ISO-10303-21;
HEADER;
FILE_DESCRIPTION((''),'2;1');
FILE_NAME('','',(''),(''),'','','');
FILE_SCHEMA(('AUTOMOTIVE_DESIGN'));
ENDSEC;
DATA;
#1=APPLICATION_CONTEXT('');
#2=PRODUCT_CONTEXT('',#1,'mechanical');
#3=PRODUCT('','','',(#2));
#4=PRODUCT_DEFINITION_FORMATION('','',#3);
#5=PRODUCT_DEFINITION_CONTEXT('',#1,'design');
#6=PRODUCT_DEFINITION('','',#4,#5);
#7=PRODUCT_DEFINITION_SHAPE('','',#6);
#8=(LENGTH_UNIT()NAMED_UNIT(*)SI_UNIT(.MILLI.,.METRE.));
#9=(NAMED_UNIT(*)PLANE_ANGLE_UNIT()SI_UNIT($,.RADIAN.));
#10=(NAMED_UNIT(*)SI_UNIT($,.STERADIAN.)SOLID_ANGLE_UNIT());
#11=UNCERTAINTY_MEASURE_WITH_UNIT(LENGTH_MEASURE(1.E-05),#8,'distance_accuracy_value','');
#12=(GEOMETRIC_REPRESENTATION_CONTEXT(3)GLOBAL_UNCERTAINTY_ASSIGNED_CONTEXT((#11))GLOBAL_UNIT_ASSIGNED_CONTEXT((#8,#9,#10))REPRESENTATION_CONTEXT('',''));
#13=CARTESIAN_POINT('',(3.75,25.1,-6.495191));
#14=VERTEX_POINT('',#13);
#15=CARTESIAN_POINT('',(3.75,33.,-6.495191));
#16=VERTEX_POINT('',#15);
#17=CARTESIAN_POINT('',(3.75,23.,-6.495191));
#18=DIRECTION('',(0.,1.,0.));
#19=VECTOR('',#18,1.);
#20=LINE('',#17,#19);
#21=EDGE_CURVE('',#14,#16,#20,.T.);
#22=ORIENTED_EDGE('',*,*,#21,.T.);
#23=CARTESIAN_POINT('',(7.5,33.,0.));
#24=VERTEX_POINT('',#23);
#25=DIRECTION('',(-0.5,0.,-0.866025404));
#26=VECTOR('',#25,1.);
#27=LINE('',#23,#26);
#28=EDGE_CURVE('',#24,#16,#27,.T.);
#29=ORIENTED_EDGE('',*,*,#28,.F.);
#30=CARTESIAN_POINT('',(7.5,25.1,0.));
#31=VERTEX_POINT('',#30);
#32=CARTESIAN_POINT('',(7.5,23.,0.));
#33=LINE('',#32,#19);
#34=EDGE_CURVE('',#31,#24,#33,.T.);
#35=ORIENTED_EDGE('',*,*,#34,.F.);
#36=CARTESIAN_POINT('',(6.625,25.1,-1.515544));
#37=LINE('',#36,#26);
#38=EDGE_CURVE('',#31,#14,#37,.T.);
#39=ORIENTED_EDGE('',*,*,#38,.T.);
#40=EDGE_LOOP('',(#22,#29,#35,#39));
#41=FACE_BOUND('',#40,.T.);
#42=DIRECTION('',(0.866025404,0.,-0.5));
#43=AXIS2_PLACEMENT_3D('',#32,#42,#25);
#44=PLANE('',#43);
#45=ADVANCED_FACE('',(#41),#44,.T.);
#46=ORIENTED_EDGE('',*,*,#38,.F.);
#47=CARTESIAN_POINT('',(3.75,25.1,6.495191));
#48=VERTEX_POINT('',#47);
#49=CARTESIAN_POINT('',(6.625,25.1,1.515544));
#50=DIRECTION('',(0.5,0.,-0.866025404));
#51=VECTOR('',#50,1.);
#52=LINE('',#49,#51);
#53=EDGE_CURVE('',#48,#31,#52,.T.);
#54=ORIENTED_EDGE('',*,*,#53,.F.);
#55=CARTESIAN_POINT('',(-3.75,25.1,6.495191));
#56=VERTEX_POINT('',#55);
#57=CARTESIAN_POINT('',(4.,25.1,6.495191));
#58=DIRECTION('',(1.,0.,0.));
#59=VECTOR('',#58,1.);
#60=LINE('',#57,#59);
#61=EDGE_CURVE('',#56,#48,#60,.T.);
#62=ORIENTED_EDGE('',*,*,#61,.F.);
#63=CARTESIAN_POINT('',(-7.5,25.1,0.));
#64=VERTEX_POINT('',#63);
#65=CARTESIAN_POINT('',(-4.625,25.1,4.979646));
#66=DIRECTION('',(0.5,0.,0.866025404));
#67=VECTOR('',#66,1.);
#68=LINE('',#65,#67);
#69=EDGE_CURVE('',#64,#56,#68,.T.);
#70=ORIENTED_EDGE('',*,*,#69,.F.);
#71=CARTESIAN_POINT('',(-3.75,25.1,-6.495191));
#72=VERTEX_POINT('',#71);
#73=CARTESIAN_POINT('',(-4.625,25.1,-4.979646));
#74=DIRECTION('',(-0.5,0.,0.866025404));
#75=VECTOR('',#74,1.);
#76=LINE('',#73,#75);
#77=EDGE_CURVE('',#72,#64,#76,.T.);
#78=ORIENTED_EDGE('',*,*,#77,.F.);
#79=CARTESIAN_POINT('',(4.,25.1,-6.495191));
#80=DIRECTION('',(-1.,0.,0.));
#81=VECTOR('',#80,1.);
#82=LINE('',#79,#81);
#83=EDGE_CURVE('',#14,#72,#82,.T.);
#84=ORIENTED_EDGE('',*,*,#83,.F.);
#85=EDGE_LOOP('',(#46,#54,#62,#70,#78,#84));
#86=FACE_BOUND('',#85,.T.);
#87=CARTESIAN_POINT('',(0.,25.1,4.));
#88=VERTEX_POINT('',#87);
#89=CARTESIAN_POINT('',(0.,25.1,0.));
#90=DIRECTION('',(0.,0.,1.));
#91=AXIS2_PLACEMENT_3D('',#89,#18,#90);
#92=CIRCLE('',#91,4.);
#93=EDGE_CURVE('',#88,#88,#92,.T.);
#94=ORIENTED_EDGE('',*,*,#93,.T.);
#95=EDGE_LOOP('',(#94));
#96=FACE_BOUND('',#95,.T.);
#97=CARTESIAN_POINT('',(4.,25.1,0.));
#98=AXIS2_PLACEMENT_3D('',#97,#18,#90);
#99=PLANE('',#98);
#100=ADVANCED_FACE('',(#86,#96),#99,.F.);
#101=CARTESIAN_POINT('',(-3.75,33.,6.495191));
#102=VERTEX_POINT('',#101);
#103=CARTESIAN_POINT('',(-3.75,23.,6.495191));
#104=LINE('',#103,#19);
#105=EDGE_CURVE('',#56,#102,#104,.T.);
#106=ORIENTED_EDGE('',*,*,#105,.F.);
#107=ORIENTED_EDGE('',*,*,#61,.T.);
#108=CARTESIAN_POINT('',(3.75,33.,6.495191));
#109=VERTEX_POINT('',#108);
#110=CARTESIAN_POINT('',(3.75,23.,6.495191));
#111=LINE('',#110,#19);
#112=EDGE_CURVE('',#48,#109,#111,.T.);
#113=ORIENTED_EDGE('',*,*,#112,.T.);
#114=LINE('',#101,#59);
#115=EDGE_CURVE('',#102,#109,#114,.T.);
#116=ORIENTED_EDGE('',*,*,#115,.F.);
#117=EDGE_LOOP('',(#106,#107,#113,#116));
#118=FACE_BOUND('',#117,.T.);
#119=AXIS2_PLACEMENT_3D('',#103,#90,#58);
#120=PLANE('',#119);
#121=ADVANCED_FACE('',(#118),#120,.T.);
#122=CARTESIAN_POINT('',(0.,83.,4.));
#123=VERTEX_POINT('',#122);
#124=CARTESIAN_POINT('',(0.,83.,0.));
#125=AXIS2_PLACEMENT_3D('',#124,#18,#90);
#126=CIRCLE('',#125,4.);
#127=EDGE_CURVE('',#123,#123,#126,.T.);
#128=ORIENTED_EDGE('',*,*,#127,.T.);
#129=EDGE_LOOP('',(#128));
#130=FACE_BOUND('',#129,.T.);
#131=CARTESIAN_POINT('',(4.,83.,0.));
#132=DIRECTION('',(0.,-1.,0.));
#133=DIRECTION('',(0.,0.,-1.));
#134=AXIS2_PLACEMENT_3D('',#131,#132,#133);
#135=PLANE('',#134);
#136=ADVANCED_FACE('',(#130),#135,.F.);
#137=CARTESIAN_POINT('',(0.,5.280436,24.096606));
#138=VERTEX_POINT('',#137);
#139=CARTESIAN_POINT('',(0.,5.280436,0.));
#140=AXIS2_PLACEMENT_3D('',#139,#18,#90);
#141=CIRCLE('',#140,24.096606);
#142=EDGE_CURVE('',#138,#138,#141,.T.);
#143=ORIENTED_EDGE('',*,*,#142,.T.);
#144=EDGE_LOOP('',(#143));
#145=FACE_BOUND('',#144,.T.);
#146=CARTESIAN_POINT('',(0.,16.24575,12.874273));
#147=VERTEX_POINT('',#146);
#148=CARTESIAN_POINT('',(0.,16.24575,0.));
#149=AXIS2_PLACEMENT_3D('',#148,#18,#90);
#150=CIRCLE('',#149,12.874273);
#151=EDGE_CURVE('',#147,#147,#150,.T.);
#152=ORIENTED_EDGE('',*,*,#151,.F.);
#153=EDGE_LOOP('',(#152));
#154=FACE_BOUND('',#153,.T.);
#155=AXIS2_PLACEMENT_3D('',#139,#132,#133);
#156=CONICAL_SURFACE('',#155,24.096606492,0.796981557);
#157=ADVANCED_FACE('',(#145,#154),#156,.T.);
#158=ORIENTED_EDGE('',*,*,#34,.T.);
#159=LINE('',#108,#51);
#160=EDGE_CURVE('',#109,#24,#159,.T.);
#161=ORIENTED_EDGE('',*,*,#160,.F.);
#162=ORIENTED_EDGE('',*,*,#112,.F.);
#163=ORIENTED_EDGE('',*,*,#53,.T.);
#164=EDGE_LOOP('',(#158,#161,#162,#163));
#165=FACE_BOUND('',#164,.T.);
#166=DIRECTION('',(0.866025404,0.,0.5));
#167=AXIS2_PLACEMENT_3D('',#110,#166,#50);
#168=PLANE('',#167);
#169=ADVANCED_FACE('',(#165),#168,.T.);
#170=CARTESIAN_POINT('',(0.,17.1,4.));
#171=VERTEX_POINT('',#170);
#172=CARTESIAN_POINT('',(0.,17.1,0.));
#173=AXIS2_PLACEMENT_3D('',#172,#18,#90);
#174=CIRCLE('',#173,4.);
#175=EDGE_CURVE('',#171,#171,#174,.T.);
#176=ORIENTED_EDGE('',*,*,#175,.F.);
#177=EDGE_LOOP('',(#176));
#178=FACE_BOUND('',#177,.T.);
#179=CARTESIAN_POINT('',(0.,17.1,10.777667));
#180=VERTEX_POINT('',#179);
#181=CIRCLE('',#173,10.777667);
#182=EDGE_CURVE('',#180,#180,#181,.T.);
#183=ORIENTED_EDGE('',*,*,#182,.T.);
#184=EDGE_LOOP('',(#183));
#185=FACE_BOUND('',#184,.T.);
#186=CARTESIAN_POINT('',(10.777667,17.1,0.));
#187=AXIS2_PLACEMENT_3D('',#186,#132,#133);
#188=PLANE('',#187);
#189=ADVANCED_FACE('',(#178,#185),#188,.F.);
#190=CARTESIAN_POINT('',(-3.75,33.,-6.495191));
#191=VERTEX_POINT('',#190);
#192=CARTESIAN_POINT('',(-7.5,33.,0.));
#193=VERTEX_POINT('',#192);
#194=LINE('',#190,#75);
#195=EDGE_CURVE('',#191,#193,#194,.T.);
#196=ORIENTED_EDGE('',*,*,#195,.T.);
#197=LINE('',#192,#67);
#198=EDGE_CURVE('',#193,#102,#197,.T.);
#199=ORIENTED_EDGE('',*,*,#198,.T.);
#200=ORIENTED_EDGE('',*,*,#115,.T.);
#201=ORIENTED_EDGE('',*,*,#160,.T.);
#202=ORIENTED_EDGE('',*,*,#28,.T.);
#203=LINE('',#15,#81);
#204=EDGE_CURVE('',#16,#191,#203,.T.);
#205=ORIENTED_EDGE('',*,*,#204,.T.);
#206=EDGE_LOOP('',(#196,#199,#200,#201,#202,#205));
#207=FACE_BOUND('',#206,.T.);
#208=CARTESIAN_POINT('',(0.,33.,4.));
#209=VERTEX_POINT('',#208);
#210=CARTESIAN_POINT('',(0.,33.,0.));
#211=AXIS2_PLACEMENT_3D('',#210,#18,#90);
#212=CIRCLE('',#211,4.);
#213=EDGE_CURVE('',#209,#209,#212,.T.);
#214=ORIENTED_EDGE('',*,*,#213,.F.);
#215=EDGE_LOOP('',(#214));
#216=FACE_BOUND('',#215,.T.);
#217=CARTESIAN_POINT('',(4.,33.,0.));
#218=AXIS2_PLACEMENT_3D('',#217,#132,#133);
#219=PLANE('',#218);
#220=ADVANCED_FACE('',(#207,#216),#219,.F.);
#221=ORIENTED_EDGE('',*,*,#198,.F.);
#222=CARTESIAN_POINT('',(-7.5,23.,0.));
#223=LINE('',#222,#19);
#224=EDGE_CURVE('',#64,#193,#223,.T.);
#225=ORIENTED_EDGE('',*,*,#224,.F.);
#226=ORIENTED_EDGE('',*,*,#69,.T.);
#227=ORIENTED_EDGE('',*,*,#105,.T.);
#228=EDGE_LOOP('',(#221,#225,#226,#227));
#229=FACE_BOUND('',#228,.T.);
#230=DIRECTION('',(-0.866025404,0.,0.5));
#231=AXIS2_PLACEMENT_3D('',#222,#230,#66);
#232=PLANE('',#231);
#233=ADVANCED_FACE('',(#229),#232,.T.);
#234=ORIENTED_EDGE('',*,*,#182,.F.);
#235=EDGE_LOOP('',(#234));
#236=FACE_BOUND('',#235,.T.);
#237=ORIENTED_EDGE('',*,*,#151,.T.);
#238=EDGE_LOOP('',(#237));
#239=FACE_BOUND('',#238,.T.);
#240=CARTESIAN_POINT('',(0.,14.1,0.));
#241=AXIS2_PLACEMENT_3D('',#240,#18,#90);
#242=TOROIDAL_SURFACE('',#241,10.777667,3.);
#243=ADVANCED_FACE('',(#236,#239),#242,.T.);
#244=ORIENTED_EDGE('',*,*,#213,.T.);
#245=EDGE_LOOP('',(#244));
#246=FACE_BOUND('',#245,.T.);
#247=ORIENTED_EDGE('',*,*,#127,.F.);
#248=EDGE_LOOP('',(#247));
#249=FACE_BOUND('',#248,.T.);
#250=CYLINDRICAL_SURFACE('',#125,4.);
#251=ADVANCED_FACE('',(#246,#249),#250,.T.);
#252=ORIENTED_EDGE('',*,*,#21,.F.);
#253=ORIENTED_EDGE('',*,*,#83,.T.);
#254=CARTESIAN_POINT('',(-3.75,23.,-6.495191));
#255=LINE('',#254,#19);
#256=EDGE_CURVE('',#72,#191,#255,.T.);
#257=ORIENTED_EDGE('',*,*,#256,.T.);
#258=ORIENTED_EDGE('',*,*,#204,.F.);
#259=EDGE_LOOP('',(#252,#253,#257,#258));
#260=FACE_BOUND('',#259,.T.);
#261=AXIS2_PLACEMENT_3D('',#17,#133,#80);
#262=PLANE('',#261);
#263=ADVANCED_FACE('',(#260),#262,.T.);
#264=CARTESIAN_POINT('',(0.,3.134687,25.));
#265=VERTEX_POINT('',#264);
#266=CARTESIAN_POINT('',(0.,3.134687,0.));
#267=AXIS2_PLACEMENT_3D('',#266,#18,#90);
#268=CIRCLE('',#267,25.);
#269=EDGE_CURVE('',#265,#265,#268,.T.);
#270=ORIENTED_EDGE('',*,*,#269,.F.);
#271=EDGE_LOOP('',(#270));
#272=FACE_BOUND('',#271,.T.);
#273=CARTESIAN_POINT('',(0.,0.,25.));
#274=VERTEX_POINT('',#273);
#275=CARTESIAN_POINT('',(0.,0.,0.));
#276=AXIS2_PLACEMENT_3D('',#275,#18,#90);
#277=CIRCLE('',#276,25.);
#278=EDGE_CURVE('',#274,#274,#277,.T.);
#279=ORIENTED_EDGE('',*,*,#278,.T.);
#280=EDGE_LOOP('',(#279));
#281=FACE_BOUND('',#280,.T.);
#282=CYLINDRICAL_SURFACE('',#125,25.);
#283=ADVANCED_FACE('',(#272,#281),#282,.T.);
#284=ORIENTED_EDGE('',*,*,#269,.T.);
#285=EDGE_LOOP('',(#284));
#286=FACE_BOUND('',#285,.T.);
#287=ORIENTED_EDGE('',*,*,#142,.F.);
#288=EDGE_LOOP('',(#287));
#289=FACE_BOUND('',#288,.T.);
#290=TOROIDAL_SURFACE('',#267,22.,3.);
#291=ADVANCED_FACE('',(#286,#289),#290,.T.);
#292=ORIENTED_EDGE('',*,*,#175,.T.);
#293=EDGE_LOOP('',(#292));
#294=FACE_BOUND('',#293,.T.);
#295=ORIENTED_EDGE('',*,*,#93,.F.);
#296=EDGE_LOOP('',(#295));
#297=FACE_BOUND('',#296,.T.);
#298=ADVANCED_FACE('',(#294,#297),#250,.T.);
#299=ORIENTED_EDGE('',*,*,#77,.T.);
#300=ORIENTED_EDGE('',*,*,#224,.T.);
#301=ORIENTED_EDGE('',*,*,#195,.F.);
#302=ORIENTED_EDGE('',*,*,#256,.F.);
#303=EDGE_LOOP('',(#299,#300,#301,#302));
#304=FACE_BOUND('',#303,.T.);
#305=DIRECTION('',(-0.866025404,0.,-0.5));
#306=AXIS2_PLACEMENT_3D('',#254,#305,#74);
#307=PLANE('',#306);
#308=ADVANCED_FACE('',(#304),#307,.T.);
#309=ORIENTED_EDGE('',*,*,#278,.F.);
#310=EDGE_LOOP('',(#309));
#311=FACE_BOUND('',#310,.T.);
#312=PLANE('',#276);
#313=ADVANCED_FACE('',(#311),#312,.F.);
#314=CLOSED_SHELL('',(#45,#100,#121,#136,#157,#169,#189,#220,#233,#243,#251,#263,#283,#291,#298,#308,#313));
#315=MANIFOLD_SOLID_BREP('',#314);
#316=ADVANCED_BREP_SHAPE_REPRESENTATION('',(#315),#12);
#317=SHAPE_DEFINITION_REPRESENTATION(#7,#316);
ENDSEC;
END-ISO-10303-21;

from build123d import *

# Parameters (mm, degrees)
SKETCH_3_R          = 11.768421734
CUT_EXTRUDE_1_DEPTH = 10


with BuildPart() as part:
    # 草图1 → 旋转1 (revolve)
    with BuildSketch(Plane.XY, mode=Mode.PRIVATE) as revolve_1_sk:
        with BuildLine():
            Line((0, 0), (25, 0))
            Line((25, 0), (25, 3.134686744))
            ThreePointArc((25, 3.134686744), (24.76494299, 4.298770187), (24.096606492, 5.280436315))
            Line((24.096606492, 5.280436315), (12.874273498, 16.24574957))
            ThreePointArc((12.874273498, 16.24574957), (11.909645648, 16.878241234), (10.777667007, 17.1))
            Line((10.777667007, 17.1), (4, 17.1))
            Line((4, 17.1), (4, 25.1))
            Line((4, 25.1), (7.5, 25.1))
            Line((7.5, 25.1), (7.5, 33))
            Line((7.5, 33), (4, 33))
            Line((4, 33), (4, 83))
            Line((4, 83), (0, 83))
            Line((0, 83), (0, 0))
        make_face()
    revolve(revolve_1_sk.sketch.rotate(Axis((0, 83, 0), (0, 1, 0)), 270), axis=Axis((0, 83, 0), (0, 1, 0)))

    # 草图3 → 切除-拉伸1 (cut)
    with BuildSketch(Plane(origin=(0, 33, 0), x_dir=(1, 0, 0), z_dir=(0, 1, 0))):
        Circle(SKETCH_3_R)
        Polygon((7.5, 0), (3.75, 6.495190528), (-3.75, 6.495190528), (-7.5, 0), (-3.75, -6.495190528), (3.75, -6.495190528), align=None, mode=Mode.SUBTRACT)
    extrude(amount=-CUT_EXTRUDE_1_DEPTH, mode=Mode.SUBTRACT)


solid = part.part
